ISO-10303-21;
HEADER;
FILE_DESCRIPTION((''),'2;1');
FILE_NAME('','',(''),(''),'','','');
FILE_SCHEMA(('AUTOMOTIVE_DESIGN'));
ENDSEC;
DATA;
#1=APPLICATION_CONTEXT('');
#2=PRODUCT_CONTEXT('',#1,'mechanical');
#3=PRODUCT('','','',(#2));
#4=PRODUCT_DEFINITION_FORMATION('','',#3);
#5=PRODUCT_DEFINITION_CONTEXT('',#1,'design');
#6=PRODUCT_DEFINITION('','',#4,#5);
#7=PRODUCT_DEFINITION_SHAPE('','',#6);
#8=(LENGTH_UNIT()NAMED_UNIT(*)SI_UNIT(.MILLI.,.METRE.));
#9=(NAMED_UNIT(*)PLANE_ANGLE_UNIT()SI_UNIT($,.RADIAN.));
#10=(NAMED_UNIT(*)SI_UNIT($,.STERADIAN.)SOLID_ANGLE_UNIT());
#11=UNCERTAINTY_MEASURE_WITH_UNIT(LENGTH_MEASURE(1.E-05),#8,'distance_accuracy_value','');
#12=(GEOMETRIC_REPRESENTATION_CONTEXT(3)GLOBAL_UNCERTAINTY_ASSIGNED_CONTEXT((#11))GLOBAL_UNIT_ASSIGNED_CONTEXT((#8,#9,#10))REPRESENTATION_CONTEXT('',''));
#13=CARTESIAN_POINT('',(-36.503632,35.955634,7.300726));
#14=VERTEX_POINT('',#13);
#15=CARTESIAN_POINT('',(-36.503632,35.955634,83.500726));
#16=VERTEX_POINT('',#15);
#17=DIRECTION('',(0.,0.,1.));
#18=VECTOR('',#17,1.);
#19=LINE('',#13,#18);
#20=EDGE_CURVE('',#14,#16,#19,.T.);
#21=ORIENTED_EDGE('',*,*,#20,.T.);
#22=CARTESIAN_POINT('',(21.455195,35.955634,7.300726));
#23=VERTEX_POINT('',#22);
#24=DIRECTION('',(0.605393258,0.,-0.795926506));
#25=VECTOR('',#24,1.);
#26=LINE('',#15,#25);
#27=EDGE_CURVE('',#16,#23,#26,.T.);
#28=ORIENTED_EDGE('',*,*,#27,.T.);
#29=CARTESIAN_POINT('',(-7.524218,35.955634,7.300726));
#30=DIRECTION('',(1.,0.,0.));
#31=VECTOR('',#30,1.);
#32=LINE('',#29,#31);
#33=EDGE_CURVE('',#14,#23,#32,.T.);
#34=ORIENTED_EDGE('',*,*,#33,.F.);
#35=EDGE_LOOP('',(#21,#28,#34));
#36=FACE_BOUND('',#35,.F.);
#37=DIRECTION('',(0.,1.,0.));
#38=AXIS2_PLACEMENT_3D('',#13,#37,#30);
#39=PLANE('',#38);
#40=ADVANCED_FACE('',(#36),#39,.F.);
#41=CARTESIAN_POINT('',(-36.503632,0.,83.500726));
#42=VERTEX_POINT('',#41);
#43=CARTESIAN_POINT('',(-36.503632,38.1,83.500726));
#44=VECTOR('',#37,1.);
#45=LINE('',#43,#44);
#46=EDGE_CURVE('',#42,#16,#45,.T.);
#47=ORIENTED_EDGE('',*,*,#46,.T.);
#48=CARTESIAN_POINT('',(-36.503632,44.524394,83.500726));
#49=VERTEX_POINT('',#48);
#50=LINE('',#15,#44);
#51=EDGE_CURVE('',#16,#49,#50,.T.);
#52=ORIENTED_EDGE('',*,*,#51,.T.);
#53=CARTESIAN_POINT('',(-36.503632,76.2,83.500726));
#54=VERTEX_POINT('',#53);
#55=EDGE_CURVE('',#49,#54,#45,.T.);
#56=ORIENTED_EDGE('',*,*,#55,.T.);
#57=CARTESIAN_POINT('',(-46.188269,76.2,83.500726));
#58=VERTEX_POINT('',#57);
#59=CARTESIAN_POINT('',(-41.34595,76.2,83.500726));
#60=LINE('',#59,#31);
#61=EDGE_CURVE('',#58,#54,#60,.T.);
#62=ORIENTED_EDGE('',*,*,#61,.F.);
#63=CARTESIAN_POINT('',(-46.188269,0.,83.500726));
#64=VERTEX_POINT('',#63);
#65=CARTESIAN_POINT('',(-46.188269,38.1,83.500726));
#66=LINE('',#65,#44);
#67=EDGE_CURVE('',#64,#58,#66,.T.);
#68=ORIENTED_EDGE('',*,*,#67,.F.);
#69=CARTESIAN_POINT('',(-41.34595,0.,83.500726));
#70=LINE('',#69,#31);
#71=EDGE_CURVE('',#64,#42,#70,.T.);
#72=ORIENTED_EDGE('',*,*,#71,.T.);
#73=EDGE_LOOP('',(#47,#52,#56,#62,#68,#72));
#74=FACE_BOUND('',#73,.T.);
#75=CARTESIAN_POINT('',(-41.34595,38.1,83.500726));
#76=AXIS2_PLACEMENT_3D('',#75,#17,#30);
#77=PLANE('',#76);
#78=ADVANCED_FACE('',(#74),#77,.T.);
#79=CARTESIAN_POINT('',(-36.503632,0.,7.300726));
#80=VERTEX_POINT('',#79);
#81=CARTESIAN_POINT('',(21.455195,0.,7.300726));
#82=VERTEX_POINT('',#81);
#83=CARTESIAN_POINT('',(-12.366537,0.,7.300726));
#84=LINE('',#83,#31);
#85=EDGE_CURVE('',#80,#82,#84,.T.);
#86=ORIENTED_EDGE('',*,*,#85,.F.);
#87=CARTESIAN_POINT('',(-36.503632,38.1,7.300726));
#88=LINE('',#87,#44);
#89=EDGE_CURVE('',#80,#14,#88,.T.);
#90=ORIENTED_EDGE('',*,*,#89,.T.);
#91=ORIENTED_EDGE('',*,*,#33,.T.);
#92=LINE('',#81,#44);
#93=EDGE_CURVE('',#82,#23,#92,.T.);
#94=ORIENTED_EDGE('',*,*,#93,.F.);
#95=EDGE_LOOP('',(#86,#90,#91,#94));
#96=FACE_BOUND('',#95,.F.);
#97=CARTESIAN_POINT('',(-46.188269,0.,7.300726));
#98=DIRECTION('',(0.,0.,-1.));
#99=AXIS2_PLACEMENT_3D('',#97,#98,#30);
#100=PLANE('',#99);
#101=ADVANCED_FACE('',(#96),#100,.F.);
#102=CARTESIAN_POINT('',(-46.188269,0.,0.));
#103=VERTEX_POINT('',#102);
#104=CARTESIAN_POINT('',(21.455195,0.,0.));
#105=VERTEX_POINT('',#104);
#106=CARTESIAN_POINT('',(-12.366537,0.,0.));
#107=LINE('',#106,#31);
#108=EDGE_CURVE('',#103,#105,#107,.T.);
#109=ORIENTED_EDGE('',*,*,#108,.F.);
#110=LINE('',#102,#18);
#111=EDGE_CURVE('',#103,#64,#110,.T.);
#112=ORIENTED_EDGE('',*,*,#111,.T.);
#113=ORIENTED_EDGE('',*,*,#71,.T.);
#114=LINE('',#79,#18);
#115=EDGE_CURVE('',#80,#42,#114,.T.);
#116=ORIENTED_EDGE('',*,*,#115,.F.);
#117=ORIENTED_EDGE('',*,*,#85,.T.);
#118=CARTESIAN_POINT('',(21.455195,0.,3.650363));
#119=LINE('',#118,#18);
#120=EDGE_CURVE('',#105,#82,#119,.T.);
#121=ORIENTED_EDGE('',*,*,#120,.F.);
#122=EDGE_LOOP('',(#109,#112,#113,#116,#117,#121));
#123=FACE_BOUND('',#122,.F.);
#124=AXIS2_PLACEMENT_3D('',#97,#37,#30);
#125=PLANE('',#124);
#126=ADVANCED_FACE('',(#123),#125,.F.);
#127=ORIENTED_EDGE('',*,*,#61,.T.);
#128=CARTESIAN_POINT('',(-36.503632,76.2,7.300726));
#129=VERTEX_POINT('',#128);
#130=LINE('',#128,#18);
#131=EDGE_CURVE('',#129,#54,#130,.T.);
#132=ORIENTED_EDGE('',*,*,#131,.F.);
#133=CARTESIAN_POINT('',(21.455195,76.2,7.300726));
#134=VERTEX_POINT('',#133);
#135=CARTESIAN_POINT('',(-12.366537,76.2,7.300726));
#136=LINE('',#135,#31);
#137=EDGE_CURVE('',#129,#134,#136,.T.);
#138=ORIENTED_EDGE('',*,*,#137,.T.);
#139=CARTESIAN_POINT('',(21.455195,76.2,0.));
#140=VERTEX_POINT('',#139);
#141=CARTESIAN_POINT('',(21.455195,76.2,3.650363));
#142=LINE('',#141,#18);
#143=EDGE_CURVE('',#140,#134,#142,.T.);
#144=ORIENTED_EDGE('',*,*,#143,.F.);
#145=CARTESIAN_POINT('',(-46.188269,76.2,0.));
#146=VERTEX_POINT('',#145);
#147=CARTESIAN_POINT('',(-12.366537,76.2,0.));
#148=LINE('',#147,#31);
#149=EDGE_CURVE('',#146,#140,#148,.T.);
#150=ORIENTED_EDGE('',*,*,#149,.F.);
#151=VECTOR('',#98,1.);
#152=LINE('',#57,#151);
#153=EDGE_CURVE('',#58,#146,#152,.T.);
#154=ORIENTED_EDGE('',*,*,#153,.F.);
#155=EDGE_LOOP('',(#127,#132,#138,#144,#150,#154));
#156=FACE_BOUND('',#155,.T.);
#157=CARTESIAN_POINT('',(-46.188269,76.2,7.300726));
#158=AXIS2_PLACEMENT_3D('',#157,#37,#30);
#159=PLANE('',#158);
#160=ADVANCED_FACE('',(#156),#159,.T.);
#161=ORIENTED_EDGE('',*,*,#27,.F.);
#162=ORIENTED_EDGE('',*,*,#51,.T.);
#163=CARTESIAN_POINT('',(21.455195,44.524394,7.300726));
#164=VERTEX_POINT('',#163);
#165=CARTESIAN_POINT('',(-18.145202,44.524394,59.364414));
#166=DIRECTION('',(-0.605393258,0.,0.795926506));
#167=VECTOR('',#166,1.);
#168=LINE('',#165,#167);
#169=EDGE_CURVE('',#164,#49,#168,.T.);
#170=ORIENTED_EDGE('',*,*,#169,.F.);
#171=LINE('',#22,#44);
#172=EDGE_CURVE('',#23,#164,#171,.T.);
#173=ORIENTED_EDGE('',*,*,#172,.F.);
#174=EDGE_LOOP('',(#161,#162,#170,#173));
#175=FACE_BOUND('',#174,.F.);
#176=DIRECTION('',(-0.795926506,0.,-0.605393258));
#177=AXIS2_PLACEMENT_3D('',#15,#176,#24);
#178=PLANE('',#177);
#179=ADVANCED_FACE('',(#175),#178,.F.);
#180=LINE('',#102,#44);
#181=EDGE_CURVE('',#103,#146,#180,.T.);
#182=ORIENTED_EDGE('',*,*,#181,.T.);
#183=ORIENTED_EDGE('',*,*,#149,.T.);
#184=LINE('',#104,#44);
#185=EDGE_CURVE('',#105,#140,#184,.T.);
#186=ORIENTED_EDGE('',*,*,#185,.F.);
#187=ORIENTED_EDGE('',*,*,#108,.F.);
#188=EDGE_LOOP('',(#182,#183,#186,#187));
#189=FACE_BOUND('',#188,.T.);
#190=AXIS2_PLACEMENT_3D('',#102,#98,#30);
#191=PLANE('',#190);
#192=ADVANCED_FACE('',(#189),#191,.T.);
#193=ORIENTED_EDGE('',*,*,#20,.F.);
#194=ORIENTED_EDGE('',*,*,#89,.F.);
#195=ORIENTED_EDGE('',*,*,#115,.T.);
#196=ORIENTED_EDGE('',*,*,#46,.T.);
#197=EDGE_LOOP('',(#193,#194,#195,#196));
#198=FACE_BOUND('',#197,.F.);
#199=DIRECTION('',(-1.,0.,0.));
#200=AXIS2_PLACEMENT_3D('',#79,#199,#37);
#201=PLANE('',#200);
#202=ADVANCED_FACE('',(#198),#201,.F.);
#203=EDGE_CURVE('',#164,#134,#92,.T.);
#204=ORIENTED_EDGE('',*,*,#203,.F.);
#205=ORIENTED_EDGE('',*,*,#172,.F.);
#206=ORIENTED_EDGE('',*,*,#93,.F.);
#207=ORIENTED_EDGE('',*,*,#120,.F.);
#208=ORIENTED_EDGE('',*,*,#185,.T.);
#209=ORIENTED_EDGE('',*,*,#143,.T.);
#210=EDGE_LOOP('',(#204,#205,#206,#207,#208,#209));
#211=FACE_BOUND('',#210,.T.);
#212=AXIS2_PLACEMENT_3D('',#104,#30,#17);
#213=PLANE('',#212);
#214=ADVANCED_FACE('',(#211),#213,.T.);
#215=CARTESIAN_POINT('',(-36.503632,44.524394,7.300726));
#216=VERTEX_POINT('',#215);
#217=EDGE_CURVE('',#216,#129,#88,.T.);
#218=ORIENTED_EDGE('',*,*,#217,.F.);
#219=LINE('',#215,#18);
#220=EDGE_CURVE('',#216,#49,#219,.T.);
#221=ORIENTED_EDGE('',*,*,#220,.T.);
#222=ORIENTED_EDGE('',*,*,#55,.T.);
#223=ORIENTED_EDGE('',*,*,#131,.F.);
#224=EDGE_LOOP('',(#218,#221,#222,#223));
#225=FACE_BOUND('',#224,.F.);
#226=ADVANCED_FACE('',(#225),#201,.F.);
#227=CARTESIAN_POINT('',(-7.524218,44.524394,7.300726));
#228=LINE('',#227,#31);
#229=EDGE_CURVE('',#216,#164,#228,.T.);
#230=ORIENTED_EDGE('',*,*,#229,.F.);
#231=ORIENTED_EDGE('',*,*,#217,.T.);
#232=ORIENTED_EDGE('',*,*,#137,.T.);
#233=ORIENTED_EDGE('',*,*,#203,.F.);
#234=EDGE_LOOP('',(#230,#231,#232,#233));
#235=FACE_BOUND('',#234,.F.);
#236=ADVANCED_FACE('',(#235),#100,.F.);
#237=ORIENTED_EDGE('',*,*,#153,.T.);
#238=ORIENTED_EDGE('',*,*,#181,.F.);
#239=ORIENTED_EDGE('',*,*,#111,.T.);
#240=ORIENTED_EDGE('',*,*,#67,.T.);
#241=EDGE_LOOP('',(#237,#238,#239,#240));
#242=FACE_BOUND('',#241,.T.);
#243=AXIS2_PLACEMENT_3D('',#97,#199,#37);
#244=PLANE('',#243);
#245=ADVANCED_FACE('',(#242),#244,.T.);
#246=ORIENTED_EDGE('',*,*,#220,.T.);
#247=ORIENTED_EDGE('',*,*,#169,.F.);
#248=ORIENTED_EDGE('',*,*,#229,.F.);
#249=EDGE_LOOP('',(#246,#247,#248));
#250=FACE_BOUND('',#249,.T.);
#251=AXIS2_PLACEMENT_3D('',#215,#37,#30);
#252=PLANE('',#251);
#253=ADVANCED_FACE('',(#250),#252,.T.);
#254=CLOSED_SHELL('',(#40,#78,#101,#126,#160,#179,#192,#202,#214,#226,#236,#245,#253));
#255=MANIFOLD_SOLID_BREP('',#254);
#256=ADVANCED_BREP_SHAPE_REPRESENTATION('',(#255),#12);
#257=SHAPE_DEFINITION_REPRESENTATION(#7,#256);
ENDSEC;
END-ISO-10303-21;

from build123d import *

# Parameters (mm, degrees)
F0_W     = 67.6434636116
F0_H     = 7.3007261381
F1_DEPTH = 76.2
F2_W     = 9.6846371889
F2_H     = 76.2
F3_DEPTH = 76.2
F4_W     = 57.9588264227
F4_H     = 8.5687600076
F5_DEPTH = 76.2
F7_DEPTH = 40.2453660319


with BuildPart() as f1:
    # F0 (on Front) → F1 (new body)
    with BuildSketch(Plane.XZ):
        with Locations((-12.3665370047, 3.650363069)):
            Rectangle(F0_W, F0_H)
    extrude(amount=-F1_DEPTH)

    # F2 (on face) → F3 (join)
    with BuildSketch(Plane.XY.offset(7.3007261381)):
        with Locations((-41.3459502161, 38.1)):
            Rectangle(F2_W, F2_H)
    extrude(amount=F3_DEPTH)

    # F4 (on face) → F5 (join)
    with BuildSketch(Plane.XY.offset(7.3007261381)):
        with Locations((-7.5242184103, 40.2400139719)):
            Rectangle(F4_W, F4_H)
    extrude(amount=F5_DEPTH)

    # F6 (on face) → F7 (cut, through all)
    with BuildSketch(Plane.XZ.offset(-35.9556339681)):
        Polygon((21.4551948011, 83.5007261381), (-36.5036316216, 83.5007261381), (21.4551948011, 7.3007261381), align=None)
    extrude(amount=-F7_DEPTH, mode=Mode.SUBTRACT)


solid = f1.part
